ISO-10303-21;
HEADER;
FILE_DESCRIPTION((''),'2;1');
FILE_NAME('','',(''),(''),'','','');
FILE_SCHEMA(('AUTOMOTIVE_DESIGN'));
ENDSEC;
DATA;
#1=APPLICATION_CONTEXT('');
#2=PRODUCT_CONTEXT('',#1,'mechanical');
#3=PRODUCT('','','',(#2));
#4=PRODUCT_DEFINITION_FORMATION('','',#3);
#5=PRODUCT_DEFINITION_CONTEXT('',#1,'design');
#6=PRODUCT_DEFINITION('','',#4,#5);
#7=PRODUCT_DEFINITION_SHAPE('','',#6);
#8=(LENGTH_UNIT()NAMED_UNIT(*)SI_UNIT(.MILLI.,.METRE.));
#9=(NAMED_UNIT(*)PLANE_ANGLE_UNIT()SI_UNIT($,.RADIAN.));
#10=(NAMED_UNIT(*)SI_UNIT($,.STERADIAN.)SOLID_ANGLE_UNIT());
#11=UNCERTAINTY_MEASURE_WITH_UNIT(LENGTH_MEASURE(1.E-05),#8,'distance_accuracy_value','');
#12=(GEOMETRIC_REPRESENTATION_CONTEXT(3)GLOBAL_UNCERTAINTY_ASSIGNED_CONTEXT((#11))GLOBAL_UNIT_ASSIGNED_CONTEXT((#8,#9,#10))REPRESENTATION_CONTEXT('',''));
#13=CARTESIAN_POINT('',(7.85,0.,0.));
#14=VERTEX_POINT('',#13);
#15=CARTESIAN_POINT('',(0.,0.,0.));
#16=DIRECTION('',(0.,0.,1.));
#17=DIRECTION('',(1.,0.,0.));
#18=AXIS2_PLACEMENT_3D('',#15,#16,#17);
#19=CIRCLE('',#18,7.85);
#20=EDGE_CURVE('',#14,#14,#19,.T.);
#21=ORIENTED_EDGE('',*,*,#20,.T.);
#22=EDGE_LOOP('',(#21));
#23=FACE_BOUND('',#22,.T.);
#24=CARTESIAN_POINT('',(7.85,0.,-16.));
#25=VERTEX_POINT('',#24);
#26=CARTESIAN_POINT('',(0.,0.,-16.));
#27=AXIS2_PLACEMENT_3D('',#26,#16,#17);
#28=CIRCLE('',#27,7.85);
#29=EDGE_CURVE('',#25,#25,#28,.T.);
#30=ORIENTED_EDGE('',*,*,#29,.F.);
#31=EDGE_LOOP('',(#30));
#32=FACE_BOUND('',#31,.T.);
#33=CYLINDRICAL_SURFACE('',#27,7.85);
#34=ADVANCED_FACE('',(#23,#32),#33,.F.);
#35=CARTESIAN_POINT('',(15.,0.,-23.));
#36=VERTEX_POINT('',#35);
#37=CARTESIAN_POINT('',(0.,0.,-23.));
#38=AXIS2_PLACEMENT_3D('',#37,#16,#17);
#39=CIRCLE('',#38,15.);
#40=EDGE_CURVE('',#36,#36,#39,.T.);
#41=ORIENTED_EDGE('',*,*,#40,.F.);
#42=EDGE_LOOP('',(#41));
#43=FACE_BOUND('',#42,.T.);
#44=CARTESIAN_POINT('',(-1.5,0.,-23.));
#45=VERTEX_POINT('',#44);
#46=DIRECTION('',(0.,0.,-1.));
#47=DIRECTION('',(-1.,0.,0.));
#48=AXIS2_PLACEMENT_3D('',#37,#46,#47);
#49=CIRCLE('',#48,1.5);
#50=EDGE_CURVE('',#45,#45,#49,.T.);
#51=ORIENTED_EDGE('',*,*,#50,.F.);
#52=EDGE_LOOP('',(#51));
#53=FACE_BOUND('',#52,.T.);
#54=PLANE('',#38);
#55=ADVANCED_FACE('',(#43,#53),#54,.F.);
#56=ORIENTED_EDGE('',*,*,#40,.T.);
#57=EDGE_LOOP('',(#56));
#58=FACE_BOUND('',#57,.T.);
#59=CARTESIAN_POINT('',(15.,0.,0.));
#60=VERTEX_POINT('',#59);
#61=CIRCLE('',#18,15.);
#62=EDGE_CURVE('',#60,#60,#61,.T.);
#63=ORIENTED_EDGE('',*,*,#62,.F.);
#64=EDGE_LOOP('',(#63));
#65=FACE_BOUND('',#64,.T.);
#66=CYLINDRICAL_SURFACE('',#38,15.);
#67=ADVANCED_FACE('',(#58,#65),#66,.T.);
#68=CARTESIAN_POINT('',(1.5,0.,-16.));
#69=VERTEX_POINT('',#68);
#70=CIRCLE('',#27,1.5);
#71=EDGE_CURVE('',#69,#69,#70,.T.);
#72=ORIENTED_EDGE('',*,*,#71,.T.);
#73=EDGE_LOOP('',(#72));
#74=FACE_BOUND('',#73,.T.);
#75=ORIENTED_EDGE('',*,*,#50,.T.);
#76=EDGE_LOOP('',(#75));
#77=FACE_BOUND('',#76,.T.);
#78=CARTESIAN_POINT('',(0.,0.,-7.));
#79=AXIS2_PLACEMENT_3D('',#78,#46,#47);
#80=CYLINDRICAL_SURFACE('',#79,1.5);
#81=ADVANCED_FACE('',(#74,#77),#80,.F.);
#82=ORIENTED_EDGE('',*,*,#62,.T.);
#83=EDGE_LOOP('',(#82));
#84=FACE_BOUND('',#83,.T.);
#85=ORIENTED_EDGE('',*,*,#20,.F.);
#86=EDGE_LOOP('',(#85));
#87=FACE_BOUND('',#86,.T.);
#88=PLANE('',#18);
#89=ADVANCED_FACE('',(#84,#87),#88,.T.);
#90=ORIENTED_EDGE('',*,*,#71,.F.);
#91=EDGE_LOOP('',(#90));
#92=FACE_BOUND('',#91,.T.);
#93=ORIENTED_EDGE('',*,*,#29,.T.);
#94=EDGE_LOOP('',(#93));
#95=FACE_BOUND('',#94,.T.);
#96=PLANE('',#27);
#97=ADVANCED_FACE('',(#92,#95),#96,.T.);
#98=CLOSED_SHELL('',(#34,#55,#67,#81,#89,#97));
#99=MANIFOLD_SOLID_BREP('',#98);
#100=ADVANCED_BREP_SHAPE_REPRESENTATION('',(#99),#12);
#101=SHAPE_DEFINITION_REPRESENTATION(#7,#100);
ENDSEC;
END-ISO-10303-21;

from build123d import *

# Parameters (mm, degrees)
CROQUIS1_R              = 15
SALIENTE_EXTRUIR1_DEPTH = 23
CROQUIS2_R              = 7.85
CORTAR_EXTRUIR1_DEPTH   = 16
CROQUIS3_R              = 1.5
CORTAR_EXTRUIR2_DEPTH   = 16


with BuildPart() as part:
    # Croquis1 → Saliente-Extruir1 (new body)
    with BuildSketch(Plane.XY):
        Circle(CROQUIS1_R)
    extrude(amount=-SALIENTE_EXTRUIR1_DEPTH)

    # Croquis2 → Cortar-Extruir1 (cut)
    with BuildSketch(Plane.XY):
        Circle(CROQUIS2_R)
    extrude(amount=-CORTAR_EXTRUIR1_DEPTH, mode=Mode.SUBTRACT)

    # Croquis3 → Cortar-Extruir2 (cut)
    with BuildSketch(Plane(origin=(0, 0, -23), x_dir=(-1, 0, 0), z_dir=(0, 0, -1))):
        Circle(CROQUIS3_R)
    extrude(amount=-CORTAR_EXTRUIR2_DEPTH, mode=Mode.SUBTRACT)


solid = part.part
